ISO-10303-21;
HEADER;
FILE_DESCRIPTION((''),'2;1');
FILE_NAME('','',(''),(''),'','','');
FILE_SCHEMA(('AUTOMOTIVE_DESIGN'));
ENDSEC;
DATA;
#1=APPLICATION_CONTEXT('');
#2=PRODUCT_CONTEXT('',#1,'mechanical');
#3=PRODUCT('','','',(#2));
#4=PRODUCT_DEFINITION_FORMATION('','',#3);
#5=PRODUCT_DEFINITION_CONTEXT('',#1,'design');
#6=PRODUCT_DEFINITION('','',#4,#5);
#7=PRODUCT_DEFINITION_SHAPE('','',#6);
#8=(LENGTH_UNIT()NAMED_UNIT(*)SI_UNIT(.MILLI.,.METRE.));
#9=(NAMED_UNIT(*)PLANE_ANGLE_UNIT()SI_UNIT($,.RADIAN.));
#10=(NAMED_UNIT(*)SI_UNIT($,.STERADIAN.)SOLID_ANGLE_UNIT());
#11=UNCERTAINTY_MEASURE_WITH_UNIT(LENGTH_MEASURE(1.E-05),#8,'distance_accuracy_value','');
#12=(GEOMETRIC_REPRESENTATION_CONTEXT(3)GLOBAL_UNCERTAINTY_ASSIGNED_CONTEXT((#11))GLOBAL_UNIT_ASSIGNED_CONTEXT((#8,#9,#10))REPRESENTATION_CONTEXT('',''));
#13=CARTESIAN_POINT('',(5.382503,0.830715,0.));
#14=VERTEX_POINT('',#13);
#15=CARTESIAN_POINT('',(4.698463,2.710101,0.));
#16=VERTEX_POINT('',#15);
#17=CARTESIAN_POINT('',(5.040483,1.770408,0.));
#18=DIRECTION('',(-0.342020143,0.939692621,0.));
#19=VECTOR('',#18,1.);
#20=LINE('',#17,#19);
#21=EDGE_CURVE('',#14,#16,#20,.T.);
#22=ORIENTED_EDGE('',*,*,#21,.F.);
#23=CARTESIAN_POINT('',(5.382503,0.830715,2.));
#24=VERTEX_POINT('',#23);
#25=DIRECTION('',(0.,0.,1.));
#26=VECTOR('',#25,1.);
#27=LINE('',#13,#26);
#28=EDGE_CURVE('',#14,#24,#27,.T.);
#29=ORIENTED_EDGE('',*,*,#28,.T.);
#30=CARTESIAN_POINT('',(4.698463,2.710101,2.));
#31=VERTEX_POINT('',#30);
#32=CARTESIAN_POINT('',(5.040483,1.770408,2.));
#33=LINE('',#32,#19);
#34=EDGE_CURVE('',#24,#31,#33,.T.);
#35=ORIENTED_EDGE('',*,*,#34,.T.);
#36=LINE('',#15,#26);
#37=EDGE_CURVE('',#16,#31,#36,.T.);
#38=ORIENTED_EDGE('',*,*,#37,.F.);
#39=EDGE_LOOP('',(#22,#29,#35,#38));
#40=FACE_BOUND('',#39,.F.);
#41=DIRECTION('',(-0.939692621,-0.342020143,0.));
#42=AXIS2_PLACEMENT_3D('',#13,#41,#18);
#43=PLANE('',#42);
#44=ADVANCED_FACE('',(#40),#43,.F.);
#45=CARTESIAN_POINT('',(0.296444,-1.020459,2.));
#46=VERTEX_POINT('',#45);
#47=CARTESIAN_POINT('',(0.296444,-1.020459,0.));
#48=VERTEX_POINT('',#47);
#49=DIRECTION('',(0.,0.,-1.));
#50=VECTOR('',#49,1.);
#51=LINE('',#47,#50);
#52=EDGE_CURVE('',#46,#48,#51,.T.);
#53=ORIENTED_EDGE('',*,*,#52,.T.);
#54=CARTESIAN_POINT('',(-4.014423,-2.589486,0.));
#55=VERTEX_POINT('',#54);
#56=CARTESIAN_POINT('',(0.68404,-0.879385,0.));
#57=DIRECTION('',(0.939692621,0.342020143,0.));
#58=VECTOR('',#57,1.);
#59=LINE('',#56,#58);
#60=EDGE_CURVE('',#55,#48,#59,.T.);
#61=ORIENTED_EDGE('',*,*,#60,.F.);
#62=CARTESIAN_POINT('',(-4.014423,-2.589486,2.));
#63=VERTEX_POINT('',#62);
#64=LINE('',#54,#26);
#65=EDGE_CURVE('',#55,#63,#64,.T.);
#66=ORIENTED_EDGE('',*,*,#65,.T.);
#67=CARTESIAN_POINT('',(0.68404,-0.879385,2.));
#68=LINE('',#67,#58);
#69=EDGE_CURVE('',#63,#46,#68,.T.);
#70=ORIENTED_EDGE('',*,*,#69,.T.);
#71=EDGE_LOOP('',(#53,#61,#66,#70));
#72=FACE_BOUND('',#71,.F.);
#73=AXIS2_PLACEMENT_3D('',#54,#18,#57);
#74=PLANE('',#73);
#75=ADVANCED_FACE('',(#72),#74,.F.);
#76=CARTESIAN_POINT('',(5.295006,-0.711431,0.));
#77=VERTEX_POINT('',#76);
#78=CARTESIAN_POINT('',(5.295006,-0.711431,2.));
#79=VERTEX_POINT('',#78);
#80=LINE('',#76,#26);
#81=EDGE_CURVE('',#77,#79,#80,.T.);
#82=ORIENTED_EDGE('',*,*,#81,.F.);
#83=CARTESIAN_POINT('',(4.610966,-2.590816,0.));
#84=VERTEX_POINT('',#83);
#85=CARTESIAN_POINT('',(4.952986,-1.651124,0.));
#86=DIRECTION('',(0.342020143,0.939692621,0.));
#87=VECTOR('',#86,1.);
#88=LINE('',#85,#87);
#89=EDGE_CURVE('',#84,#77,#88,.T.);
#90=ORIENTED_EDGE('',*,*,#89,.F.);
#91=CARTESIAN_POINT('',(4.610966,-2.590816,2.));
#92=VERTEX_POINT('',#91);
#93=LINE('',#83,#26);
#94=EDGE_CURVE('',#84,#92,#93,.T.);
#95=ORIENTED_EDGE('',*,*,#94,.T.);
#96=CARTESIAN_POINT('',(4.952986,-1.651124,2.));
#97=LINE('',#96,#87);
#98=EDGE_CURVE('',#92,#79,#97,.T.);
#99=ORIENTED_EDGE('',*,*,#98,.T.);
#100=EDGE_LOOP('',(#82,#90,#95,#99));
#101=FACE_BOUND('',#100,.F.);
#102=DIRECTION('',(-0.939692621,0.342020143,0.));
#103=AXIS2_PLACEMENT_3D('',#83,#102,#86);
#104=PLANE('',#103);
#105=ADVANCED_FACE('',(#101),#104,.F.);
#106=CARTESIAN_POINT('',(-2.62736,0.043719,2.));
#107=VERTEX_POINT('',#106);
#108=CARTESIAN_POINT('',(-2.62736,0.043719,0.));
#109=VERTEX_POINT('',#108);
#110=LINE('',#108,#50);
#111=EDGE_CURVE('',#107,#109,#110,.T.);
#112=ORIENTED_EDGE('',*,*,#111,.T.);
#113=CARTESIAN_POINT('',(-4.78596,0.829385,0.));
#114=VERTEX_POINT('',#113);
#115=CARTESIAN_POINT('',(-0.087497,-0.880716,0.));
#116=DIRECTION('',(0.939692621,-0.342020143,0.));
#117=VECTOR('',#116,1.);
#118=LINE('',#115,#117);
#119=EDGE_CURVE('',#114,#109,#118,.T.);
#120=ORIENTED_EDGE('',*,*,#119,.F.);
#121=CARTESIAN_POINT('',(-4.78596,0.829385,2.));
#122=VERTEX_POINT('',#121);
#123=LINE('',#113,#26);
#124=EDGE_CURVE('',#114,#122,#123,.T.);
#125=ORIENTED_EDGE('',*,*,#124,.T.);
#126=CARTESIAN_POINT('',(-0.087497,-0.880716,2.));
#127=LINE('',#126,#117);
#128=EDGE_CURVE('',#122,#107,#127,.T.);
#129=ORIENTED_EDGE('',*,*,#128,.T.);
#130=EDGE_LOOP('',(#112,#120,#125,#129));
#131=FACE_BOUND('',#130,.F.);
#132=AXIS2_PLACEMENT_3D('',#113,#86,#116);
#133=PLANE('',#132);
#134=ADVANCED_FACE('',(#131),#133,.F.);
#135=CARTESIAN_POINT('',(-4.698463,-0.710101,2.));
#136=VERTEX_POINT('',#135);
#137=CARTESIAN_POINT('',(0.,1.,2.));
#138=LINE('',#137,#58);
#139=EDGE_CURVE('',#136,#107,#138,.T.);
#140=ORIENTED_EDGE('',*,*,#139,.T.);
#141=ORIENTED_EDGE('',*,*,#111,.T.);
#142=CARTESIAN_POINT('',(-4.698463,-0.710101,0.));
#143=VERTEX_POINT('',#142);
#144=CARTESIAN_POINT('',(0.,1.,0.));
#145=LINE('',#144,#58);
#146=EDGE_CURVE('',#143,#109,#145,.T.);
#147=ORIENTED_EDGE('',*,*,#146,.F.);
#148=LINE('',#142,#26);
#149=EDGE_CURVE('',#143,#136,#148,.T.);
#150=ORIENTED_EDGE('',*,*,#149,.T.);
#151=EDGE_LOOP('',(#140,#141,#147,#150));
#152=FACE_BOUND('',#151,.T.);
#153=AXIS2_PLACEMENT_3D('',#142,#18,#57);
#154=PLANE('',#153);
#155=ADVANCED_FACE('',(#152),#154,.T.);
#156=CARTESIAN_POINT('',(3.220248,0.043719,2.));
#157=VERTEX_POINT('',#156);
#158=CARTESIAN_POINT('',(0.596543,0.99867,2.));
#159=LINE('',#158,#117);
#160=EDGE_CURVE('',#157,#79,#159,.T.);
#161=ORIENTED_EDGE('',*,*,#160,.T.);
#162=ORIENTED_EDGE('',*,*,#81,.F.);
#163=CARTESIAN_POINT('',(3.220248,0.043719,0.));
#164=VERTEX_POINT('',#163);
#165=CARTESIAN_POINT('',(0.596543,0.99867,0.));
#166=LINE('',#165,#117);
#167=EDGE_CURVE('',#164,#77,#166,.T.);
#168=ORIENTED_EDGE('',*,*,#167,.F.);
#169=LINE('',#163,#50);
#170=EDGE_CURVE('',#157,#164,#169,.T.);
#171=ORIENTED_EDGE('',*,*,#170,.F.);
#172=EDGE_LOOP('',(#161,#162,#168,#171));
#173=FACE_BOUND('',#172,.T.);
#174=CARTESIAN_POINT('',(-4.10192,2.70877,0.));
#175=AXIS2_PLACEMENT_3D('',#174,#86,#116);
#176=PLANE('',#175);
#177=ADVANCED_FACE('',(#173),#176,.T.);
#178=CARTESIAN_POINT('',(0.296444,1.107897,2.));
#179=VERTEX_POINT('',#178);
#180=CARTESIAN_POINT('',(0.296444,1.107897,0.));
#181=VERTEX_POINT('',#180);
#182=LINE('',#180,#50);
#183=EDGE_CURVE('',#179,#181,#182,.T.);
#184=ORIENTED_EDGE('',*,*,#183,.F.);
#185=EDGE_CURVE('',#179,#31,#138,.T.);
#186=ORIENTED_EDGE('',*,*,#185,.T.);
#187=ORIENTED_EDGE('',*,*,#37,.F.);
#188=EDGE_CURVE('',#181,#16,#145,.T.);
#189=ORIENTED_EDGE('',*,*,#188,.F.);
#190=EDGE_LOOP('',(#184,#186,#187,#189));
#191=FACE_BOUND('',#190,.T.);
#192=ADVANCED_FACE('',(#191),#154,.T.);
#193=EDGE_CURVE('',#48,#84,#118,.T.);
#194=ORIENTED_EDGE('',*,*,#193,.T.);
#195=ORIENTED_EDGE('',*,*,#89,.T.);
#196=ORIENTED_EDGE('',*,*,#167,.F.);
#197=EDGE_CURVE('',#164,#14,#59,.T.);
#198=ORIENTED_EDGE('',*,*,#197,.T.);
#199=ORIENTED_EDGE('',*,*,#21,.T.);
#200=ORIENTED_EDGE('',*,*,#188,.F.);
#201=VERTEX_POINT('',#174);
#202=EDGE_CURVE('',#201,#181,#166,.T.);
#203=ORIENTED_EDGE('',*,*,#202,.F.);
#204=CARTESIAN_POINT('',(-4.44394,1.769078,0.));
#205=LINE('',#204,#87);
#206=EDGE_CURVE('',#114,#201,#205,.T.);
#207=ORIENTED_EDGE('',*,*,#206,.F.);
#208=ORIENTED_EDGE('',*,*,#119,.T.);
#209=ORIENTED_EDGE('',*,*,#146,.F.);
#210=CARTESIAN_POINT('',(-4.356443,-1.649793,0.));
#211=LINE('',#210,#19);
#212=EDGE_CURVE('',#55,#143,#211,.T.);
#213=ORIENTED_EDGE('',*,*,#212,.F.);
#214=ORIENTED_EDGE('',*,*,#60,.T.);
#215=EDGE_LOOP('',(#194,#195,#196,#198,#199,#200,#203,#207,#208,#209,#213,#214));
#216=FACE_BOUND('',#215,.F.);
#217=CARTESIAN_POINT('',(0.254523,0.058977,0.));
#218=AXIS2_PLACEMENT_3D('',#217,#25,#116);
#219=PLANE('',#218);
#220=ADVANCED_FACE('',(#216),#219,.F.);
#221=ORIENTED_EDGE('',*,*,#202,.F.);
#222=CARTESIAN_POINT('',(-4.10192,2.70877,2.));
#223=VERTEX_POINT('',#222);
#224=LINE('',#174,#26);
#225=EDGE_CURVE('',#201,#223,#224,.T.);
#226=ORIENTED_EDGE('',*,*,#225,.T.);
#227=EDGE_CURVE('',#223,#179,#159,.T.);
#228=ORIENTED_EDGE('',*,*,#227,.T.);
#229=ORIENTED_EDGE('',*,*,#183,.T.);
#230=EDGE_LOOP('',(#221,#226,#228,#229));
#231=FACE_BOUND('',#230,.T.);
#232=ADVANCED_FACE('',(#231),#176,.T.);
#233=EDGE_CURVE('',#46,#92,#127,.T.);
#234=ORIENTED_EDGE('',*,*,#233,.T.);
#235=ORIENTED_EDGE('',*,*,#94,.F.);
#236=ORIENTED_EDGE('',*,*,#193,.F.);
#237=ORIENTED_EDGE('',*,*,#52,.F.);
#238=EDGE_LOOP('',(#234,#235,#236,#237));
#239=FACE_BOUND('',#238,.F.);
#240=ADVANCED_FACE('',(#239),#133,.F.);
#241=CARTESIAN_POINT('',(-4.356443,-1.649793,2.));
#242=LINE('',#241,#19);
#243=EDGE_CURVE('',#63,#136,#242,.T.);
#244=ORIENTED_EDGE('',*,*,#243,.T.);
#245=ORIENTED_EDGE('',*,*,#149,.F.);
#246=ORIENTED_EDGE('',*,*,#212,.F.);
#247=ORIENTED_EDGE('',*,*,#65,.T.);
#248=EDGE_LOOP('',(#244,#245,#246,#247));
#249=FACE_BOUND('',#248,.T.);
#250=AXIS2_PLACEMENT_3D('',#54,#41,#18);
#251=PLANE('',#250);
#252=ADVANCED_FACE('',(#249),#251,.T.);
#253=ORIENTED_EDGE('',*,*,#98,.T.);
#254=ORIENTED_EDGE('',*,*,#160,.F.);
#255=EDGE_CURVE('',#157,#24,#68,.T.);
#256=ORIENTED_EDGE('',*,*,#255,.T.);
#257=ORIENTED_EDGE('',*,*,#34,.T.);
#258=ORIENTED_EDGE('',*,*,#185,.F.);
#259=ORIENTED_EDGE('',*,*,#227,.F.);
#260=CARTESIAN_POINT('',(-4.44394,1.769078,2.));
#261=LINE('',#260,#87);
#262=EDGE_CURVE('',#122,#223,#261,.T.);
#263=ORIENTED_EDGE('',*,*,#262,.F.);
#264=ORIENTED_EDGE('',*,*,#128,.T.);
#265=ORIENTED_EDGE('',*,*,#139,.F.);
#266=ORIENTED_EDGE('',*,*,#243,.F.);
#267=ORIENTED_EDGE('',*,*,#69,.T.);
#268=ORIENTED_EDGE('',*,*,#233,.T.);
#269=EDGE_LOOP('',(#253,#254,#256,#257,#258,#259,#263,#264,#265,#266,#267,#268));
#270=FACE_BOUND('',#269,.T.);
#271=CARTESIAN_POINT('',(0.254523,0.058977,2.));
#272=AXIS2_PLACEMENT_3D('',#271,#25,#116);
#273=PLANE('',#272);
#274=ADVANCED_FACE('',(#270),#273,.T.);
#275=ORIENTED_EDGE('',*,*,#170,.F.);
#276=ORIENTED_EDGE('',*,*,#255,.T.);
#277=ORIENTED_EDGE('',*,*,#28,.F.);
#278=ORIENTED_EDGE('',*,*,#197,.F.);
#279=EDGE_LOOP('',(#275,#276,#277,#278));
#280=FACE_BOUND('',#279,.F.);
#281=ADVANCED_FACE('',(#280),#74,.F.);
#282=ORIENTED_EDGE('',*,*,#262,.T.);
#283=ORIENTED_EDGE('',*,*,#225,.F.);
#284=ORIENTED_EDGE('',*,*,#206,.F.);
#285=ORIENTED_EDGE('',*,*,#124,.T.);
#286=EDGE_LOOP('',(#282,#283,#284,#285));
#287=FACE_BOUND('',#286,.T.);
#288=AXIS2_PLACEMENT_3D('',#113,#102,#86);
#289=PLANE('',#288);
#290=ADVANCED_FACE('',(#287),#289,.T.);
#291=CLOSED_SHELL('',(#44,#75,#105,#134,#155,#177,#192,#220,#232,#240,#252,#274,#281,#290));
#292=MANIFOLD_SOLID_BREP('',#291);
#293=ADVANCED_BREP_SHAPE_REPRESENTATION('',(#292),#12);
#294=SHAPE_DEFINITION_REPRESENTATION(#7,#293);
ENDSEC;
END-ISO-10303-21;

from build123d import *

# Parameters (mm, degrees)
BOX001_W               = 10
BOX001_H               = 2
BOX001_DEPTH           = 2
BOX001_PLACEMENT_ANGLE = 20
BOX_W                  = 10
BOX_H                  = 2
BOX_DEPTH              = 2
BOX_PLACEMENT_ANGLE    = 20


with BuildPart() as cub001:
    # Box001 → Box001 (new body)
    with BuildSketch(Plane.XY):
        with Locations((5, 1)):
            Rectangle(BOX001_W, BOX001_H)
    extrude(amount=BOX001_DEPTH)


with BuildPart() as cub001_1:
    # Box001 placement: moved
    add(cub001.part.moved(Location((0.21404, 1.829385, 0))).rotate(Axis((0.21404, 1.829385, 0), (0, 0, -1)), BOX001_PLACEMENT_ANGLE))


with BuildPart() as fusion:
    # Box → Box (new body)
    with BuildSketch(Plane.XY):
        with Locations((5, 1)):
            Rectangle(BOX_W, BOX_H)
    extrude(amount=BOX_DEPTH)


with BuildPart() as fusion_1:
    # Box placement: moved
    add(fusion.part.moved(Location((0.985577, -1.589486, 0))).rotate(Axis((0.985577, -1.589486, 0), (0, 0, 1)), BOX_PLACEMENT_ANGLE))

    # Fusion: union Cub001
    add(cub001_1.part)


with BuildPart() as fusion_2:
    # Fusion placement: moved
    add(fusion_1.part.moved(Location((-5, -1, 0))))


solid = fusion_2.part
